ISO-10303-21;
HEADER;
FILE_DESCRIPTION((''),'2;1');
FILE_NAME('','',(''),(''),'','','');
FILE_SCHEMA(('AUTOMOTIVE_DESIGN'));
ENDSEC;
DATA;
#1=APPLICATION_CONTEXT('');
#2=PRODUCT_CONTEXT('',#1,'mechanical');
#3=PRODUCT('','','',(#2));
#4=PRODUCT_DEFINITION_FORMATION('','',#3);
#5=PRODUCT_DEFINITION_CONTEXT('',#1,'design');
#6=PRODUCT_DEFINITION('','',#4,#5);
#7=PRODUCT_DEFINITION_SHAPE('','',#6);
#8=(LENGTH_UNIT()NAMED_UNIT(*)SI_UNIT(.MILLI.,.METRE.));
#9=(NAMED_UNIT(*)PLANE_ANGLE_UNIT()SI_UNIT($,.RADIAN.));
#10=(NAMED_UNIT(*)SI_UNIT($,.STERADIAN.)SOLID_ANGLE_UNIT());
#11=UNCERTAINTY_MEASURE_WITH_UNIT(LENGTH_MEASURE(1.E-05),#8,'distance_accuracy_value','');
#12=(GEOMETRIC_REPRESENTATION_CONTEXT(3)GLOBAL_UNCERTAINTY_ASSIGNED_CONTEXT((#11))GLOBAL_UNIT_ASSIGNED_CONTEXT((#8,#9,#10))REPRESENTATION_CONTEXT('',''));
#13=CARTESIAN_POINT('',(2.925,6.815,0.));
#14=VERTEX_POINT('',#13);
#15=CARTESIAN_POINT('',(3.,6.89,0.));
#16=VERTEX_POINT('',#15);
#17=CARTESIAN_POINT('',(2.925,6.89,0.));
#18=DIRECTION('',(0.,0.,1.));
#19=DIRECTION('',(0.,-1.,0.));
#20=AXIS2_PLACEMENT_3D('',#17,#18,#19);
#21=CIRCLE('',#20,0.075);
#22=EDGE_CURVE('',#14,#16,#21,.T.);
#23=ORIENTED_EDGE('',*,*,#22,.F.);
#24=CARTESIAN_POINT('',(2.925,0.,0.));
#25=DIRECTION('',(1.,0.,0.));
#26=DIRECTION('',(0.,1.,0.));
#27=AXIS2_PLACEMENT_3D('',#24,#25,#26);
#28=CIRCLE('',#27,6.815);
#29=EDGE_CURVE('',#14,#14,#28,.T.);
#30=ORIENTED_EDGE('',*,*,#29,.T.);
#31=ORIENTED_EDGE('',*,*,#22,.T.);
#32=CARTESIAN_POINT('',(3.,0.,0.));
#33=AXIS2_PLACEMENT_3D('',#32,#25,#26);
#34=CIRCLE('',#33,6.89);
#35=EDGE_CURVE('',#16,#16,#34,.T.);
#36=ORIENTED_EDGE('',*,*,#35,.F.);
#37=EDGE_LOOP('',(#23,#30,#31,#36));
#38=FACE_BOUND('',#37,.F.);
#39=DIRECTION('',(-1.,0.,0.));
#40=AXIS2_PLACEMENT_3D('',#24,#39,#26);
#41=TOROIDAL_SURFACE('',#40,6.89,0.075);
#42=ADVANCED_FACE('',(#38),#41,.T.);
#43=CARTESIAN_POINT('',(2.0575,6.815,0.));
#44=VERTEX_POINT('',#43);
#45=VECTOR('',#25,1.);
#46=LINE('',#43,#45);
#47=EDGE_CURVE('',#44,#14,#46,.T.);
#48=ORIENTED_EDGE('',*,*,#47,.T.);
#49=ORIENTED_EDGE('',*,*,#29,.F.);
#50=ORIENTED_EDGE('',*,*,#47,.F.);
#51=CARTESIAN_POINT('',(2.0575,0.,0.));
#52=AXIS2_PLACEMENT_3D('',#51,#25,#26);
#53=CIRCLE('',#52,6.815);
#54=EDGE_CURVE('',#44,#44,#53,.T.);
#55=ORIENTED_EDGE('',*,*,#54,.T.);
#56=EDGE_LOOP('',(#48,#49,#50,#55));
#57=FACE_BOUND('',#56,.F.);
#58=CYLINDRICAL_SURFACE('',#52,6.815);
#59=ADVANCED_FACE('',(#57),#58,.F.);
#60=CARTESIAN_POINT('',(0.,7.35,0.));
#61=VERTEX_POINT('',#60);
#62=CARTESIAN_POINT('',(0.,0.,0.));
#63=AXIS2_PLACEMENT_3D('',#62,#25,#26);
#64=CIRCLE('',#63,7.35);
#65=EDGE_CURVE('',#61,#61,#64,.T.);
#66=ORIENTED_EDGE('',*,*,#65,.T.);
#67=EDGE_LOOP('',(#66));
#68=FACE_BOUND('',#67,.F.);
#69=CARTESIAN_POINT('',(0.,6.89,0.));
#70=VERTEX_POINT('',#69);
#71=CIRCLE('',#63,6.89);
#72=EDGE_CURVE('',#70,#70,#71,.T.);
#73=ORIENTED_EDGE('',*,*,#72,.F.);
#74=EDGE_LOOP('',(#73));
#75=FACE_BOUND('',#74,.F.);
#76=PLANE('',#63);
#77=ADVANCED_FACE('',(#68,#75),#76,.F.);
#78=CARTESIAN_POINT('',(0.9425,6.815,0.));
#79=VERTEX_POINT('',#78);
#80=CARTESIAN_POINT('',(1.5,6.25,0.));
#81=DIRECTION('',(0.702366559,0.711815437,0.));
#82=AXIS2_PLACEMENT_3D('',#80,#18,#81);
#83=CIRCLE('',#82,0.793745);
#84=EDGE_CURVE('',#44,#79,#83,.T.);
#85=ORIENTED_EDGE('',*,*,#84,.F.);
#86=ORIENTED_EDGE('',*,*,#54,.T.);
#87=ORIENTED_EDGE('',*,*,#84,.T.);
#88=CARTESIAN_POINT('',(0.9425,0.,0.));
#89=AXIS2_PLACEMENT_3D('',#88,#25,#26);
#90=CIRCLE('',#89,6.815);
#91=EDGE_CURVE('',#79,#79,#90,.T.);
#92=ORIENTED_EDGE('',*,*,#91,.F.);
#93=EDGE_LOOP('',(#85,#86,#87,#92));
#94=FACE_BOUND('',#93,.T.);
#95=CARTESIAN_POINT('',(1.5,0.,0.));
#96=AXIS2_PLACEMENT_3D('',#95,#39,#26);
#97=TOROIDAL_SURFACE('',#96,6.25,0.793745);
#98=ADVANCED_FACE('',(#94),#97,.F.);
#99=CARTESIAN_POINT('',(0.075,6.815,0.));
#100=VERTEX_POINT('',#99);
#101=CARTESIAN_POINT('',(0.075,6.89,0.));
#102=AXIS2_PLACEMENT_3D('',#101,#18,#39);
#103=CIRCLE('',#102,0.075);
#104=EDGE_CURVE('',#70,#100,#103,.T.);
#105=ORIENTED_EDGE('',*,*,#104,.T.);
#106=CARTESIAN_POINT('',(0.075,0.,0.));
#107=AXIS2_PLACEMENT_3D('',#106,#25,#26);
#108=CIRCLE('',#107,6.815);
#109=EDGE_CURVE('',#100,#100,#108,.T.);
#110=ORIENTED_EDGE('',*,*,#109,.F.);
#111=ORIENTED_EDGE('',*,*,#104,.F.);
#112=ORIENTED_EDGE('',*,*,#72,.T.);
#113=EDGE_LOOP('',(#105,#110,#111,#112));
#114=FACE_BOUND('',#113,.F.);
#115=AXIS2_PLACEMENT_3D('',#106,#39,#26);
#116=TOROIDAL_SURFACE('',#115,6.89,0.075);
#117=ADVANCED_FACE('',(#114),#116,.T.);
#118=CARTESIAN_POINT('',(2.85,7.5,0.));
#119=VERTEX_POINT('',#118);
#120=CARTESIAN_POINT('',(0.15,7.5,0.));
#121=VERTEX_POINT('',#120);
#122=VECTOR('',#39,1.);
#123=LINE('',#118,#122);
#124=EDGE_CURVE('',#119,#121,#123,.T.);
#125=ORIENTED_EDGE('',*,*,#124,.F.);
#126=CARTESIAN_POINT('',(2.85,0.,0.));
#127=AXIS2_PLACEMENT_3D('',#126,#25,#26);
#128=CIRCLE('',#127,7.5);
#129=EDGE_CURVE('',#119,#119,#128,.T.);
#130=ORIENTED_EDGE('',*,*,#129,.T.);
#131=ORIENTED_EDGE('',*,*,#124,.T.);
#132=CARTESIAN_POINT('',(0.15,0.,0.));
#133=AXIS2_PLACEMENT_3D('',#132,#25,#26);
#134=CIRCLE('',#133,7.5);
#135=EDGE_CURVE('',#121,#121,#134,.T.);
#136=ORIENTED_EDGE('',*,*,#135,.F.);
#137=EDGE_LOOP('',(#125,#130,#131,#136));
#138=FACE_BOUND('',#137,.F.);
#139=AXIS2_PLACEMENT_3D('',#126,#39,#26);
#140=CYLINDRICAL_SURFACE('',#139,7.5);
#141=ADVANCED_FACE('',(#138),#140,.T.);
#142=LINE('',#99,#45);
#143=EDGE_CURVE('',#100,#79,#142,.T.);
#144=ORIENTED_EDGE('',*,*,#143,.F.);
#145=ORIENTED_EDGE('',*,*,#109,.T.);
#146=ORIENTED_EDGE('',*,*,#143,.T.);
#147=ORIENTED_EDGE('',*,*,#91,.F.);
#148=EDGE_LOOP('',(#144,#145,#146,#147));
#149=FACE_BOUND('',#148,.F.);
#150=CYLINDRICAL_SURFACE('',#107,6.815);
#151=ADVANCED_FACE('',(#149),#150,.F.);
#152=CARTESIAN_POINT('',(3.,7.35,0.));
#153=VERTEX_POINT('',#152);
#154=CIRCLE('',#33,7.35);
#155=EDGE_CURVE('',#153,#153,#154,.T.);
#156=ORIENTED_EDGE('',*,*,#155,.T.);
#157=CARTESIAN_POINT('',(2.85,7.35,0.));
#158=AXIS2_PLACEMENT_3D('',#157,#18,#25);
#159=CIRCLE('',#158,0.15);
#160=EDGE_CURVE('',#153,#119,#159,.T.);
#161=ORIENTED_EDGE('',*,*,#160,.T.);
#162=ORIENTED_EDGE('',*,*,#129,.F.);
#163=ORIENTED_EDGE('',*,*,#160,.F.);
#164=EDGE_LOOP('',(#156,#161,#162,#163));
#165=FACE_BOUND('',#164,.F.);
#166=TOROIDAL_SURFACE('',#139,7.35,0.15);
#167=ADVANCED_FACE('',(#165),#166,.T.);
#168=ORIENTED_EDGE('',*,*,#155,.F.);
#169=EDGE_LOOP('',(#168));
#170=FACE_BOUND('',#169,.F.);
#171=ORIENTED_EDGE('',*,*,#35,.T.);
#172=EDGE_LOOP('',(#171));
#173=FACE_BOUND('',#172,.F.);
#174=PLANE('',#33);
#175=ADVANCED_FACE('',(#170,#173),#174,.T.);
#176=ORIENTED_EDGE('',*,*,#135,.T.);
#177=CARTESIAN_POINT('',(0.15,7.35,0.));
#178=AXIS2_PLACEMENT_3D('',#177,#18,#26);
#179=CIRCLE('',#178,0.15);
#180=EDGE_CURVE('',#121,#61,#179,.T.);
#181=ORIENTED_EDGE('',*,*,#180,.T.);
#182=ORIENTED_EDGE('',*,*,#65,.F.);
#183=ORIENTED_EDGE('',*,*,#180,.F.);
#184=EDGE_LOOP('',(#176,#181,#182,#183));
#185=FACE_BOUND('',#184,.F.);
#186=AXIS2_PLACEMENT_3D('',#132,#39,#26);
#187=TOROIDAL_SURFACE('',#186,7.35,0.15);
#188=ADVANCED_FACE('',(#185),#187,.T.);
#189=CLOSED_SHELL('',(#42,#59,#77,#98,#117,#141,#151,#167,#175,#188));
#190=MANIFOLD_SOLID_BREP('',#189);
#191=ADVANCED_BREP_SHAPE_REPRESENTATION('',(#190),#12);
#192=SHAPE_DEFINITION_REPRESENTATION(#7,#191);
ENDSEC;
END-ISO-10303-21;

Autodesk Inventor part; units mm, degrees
sketch "Sketch_1" plane through (0, 0, 0) normal (0, 0, 1) x (1, 0, 0)
  line L0 (3, 0) -> (0, 0)
  line L1 (0, 7.35) -> (0, 6.89)
  arc A0 (0, 6.89) -> (0.075, 6.815) centre (0.075, 6.89) ccw
  line L2 (0.075, 6.815) -> (0.9425, 6.815)
  arc A1 (2.0575, 6.815) -> (0.9425, 6.815) centre (1.5, 6.25) ccw
  line L3 (2.0575, 6.815) -> (2.925, 6.815)
  arc A2 (2.925, 6.815) -> (3, 6.89) centre (2.925, 6.89) ccw
  line L4 (3, 6.89) -> (3, 7.35)
  arc A3 (3, 7.35) -> (2.85, 7.5) centre (2.85, 7.35) ccw
  line L5 (2.85, 7.5) -> (0.15, 7.5)
  arc A4 (0.15, 7.5) -> (0, 7.35) centre (0.15, 7.35) ccw
revolve "Revolution1" add sketch "Sketch_1" angle 360 about axis through (3, 0, 0) along (1, 0, 0)
ref_plane "1_XY" through (1.5, 0, 0) normal (1, 0, 0) x (0, 0, -1)
ref_plane "1_YZ" through (1.5, 0, 0) normal (0, 0, -1) x (0, 1, 0)
ref_plane "1_ZX" through (1.5, 0, 0) normal (0, 1, 0) x (1, 0, 0)
properties part number "A-1510_or"
